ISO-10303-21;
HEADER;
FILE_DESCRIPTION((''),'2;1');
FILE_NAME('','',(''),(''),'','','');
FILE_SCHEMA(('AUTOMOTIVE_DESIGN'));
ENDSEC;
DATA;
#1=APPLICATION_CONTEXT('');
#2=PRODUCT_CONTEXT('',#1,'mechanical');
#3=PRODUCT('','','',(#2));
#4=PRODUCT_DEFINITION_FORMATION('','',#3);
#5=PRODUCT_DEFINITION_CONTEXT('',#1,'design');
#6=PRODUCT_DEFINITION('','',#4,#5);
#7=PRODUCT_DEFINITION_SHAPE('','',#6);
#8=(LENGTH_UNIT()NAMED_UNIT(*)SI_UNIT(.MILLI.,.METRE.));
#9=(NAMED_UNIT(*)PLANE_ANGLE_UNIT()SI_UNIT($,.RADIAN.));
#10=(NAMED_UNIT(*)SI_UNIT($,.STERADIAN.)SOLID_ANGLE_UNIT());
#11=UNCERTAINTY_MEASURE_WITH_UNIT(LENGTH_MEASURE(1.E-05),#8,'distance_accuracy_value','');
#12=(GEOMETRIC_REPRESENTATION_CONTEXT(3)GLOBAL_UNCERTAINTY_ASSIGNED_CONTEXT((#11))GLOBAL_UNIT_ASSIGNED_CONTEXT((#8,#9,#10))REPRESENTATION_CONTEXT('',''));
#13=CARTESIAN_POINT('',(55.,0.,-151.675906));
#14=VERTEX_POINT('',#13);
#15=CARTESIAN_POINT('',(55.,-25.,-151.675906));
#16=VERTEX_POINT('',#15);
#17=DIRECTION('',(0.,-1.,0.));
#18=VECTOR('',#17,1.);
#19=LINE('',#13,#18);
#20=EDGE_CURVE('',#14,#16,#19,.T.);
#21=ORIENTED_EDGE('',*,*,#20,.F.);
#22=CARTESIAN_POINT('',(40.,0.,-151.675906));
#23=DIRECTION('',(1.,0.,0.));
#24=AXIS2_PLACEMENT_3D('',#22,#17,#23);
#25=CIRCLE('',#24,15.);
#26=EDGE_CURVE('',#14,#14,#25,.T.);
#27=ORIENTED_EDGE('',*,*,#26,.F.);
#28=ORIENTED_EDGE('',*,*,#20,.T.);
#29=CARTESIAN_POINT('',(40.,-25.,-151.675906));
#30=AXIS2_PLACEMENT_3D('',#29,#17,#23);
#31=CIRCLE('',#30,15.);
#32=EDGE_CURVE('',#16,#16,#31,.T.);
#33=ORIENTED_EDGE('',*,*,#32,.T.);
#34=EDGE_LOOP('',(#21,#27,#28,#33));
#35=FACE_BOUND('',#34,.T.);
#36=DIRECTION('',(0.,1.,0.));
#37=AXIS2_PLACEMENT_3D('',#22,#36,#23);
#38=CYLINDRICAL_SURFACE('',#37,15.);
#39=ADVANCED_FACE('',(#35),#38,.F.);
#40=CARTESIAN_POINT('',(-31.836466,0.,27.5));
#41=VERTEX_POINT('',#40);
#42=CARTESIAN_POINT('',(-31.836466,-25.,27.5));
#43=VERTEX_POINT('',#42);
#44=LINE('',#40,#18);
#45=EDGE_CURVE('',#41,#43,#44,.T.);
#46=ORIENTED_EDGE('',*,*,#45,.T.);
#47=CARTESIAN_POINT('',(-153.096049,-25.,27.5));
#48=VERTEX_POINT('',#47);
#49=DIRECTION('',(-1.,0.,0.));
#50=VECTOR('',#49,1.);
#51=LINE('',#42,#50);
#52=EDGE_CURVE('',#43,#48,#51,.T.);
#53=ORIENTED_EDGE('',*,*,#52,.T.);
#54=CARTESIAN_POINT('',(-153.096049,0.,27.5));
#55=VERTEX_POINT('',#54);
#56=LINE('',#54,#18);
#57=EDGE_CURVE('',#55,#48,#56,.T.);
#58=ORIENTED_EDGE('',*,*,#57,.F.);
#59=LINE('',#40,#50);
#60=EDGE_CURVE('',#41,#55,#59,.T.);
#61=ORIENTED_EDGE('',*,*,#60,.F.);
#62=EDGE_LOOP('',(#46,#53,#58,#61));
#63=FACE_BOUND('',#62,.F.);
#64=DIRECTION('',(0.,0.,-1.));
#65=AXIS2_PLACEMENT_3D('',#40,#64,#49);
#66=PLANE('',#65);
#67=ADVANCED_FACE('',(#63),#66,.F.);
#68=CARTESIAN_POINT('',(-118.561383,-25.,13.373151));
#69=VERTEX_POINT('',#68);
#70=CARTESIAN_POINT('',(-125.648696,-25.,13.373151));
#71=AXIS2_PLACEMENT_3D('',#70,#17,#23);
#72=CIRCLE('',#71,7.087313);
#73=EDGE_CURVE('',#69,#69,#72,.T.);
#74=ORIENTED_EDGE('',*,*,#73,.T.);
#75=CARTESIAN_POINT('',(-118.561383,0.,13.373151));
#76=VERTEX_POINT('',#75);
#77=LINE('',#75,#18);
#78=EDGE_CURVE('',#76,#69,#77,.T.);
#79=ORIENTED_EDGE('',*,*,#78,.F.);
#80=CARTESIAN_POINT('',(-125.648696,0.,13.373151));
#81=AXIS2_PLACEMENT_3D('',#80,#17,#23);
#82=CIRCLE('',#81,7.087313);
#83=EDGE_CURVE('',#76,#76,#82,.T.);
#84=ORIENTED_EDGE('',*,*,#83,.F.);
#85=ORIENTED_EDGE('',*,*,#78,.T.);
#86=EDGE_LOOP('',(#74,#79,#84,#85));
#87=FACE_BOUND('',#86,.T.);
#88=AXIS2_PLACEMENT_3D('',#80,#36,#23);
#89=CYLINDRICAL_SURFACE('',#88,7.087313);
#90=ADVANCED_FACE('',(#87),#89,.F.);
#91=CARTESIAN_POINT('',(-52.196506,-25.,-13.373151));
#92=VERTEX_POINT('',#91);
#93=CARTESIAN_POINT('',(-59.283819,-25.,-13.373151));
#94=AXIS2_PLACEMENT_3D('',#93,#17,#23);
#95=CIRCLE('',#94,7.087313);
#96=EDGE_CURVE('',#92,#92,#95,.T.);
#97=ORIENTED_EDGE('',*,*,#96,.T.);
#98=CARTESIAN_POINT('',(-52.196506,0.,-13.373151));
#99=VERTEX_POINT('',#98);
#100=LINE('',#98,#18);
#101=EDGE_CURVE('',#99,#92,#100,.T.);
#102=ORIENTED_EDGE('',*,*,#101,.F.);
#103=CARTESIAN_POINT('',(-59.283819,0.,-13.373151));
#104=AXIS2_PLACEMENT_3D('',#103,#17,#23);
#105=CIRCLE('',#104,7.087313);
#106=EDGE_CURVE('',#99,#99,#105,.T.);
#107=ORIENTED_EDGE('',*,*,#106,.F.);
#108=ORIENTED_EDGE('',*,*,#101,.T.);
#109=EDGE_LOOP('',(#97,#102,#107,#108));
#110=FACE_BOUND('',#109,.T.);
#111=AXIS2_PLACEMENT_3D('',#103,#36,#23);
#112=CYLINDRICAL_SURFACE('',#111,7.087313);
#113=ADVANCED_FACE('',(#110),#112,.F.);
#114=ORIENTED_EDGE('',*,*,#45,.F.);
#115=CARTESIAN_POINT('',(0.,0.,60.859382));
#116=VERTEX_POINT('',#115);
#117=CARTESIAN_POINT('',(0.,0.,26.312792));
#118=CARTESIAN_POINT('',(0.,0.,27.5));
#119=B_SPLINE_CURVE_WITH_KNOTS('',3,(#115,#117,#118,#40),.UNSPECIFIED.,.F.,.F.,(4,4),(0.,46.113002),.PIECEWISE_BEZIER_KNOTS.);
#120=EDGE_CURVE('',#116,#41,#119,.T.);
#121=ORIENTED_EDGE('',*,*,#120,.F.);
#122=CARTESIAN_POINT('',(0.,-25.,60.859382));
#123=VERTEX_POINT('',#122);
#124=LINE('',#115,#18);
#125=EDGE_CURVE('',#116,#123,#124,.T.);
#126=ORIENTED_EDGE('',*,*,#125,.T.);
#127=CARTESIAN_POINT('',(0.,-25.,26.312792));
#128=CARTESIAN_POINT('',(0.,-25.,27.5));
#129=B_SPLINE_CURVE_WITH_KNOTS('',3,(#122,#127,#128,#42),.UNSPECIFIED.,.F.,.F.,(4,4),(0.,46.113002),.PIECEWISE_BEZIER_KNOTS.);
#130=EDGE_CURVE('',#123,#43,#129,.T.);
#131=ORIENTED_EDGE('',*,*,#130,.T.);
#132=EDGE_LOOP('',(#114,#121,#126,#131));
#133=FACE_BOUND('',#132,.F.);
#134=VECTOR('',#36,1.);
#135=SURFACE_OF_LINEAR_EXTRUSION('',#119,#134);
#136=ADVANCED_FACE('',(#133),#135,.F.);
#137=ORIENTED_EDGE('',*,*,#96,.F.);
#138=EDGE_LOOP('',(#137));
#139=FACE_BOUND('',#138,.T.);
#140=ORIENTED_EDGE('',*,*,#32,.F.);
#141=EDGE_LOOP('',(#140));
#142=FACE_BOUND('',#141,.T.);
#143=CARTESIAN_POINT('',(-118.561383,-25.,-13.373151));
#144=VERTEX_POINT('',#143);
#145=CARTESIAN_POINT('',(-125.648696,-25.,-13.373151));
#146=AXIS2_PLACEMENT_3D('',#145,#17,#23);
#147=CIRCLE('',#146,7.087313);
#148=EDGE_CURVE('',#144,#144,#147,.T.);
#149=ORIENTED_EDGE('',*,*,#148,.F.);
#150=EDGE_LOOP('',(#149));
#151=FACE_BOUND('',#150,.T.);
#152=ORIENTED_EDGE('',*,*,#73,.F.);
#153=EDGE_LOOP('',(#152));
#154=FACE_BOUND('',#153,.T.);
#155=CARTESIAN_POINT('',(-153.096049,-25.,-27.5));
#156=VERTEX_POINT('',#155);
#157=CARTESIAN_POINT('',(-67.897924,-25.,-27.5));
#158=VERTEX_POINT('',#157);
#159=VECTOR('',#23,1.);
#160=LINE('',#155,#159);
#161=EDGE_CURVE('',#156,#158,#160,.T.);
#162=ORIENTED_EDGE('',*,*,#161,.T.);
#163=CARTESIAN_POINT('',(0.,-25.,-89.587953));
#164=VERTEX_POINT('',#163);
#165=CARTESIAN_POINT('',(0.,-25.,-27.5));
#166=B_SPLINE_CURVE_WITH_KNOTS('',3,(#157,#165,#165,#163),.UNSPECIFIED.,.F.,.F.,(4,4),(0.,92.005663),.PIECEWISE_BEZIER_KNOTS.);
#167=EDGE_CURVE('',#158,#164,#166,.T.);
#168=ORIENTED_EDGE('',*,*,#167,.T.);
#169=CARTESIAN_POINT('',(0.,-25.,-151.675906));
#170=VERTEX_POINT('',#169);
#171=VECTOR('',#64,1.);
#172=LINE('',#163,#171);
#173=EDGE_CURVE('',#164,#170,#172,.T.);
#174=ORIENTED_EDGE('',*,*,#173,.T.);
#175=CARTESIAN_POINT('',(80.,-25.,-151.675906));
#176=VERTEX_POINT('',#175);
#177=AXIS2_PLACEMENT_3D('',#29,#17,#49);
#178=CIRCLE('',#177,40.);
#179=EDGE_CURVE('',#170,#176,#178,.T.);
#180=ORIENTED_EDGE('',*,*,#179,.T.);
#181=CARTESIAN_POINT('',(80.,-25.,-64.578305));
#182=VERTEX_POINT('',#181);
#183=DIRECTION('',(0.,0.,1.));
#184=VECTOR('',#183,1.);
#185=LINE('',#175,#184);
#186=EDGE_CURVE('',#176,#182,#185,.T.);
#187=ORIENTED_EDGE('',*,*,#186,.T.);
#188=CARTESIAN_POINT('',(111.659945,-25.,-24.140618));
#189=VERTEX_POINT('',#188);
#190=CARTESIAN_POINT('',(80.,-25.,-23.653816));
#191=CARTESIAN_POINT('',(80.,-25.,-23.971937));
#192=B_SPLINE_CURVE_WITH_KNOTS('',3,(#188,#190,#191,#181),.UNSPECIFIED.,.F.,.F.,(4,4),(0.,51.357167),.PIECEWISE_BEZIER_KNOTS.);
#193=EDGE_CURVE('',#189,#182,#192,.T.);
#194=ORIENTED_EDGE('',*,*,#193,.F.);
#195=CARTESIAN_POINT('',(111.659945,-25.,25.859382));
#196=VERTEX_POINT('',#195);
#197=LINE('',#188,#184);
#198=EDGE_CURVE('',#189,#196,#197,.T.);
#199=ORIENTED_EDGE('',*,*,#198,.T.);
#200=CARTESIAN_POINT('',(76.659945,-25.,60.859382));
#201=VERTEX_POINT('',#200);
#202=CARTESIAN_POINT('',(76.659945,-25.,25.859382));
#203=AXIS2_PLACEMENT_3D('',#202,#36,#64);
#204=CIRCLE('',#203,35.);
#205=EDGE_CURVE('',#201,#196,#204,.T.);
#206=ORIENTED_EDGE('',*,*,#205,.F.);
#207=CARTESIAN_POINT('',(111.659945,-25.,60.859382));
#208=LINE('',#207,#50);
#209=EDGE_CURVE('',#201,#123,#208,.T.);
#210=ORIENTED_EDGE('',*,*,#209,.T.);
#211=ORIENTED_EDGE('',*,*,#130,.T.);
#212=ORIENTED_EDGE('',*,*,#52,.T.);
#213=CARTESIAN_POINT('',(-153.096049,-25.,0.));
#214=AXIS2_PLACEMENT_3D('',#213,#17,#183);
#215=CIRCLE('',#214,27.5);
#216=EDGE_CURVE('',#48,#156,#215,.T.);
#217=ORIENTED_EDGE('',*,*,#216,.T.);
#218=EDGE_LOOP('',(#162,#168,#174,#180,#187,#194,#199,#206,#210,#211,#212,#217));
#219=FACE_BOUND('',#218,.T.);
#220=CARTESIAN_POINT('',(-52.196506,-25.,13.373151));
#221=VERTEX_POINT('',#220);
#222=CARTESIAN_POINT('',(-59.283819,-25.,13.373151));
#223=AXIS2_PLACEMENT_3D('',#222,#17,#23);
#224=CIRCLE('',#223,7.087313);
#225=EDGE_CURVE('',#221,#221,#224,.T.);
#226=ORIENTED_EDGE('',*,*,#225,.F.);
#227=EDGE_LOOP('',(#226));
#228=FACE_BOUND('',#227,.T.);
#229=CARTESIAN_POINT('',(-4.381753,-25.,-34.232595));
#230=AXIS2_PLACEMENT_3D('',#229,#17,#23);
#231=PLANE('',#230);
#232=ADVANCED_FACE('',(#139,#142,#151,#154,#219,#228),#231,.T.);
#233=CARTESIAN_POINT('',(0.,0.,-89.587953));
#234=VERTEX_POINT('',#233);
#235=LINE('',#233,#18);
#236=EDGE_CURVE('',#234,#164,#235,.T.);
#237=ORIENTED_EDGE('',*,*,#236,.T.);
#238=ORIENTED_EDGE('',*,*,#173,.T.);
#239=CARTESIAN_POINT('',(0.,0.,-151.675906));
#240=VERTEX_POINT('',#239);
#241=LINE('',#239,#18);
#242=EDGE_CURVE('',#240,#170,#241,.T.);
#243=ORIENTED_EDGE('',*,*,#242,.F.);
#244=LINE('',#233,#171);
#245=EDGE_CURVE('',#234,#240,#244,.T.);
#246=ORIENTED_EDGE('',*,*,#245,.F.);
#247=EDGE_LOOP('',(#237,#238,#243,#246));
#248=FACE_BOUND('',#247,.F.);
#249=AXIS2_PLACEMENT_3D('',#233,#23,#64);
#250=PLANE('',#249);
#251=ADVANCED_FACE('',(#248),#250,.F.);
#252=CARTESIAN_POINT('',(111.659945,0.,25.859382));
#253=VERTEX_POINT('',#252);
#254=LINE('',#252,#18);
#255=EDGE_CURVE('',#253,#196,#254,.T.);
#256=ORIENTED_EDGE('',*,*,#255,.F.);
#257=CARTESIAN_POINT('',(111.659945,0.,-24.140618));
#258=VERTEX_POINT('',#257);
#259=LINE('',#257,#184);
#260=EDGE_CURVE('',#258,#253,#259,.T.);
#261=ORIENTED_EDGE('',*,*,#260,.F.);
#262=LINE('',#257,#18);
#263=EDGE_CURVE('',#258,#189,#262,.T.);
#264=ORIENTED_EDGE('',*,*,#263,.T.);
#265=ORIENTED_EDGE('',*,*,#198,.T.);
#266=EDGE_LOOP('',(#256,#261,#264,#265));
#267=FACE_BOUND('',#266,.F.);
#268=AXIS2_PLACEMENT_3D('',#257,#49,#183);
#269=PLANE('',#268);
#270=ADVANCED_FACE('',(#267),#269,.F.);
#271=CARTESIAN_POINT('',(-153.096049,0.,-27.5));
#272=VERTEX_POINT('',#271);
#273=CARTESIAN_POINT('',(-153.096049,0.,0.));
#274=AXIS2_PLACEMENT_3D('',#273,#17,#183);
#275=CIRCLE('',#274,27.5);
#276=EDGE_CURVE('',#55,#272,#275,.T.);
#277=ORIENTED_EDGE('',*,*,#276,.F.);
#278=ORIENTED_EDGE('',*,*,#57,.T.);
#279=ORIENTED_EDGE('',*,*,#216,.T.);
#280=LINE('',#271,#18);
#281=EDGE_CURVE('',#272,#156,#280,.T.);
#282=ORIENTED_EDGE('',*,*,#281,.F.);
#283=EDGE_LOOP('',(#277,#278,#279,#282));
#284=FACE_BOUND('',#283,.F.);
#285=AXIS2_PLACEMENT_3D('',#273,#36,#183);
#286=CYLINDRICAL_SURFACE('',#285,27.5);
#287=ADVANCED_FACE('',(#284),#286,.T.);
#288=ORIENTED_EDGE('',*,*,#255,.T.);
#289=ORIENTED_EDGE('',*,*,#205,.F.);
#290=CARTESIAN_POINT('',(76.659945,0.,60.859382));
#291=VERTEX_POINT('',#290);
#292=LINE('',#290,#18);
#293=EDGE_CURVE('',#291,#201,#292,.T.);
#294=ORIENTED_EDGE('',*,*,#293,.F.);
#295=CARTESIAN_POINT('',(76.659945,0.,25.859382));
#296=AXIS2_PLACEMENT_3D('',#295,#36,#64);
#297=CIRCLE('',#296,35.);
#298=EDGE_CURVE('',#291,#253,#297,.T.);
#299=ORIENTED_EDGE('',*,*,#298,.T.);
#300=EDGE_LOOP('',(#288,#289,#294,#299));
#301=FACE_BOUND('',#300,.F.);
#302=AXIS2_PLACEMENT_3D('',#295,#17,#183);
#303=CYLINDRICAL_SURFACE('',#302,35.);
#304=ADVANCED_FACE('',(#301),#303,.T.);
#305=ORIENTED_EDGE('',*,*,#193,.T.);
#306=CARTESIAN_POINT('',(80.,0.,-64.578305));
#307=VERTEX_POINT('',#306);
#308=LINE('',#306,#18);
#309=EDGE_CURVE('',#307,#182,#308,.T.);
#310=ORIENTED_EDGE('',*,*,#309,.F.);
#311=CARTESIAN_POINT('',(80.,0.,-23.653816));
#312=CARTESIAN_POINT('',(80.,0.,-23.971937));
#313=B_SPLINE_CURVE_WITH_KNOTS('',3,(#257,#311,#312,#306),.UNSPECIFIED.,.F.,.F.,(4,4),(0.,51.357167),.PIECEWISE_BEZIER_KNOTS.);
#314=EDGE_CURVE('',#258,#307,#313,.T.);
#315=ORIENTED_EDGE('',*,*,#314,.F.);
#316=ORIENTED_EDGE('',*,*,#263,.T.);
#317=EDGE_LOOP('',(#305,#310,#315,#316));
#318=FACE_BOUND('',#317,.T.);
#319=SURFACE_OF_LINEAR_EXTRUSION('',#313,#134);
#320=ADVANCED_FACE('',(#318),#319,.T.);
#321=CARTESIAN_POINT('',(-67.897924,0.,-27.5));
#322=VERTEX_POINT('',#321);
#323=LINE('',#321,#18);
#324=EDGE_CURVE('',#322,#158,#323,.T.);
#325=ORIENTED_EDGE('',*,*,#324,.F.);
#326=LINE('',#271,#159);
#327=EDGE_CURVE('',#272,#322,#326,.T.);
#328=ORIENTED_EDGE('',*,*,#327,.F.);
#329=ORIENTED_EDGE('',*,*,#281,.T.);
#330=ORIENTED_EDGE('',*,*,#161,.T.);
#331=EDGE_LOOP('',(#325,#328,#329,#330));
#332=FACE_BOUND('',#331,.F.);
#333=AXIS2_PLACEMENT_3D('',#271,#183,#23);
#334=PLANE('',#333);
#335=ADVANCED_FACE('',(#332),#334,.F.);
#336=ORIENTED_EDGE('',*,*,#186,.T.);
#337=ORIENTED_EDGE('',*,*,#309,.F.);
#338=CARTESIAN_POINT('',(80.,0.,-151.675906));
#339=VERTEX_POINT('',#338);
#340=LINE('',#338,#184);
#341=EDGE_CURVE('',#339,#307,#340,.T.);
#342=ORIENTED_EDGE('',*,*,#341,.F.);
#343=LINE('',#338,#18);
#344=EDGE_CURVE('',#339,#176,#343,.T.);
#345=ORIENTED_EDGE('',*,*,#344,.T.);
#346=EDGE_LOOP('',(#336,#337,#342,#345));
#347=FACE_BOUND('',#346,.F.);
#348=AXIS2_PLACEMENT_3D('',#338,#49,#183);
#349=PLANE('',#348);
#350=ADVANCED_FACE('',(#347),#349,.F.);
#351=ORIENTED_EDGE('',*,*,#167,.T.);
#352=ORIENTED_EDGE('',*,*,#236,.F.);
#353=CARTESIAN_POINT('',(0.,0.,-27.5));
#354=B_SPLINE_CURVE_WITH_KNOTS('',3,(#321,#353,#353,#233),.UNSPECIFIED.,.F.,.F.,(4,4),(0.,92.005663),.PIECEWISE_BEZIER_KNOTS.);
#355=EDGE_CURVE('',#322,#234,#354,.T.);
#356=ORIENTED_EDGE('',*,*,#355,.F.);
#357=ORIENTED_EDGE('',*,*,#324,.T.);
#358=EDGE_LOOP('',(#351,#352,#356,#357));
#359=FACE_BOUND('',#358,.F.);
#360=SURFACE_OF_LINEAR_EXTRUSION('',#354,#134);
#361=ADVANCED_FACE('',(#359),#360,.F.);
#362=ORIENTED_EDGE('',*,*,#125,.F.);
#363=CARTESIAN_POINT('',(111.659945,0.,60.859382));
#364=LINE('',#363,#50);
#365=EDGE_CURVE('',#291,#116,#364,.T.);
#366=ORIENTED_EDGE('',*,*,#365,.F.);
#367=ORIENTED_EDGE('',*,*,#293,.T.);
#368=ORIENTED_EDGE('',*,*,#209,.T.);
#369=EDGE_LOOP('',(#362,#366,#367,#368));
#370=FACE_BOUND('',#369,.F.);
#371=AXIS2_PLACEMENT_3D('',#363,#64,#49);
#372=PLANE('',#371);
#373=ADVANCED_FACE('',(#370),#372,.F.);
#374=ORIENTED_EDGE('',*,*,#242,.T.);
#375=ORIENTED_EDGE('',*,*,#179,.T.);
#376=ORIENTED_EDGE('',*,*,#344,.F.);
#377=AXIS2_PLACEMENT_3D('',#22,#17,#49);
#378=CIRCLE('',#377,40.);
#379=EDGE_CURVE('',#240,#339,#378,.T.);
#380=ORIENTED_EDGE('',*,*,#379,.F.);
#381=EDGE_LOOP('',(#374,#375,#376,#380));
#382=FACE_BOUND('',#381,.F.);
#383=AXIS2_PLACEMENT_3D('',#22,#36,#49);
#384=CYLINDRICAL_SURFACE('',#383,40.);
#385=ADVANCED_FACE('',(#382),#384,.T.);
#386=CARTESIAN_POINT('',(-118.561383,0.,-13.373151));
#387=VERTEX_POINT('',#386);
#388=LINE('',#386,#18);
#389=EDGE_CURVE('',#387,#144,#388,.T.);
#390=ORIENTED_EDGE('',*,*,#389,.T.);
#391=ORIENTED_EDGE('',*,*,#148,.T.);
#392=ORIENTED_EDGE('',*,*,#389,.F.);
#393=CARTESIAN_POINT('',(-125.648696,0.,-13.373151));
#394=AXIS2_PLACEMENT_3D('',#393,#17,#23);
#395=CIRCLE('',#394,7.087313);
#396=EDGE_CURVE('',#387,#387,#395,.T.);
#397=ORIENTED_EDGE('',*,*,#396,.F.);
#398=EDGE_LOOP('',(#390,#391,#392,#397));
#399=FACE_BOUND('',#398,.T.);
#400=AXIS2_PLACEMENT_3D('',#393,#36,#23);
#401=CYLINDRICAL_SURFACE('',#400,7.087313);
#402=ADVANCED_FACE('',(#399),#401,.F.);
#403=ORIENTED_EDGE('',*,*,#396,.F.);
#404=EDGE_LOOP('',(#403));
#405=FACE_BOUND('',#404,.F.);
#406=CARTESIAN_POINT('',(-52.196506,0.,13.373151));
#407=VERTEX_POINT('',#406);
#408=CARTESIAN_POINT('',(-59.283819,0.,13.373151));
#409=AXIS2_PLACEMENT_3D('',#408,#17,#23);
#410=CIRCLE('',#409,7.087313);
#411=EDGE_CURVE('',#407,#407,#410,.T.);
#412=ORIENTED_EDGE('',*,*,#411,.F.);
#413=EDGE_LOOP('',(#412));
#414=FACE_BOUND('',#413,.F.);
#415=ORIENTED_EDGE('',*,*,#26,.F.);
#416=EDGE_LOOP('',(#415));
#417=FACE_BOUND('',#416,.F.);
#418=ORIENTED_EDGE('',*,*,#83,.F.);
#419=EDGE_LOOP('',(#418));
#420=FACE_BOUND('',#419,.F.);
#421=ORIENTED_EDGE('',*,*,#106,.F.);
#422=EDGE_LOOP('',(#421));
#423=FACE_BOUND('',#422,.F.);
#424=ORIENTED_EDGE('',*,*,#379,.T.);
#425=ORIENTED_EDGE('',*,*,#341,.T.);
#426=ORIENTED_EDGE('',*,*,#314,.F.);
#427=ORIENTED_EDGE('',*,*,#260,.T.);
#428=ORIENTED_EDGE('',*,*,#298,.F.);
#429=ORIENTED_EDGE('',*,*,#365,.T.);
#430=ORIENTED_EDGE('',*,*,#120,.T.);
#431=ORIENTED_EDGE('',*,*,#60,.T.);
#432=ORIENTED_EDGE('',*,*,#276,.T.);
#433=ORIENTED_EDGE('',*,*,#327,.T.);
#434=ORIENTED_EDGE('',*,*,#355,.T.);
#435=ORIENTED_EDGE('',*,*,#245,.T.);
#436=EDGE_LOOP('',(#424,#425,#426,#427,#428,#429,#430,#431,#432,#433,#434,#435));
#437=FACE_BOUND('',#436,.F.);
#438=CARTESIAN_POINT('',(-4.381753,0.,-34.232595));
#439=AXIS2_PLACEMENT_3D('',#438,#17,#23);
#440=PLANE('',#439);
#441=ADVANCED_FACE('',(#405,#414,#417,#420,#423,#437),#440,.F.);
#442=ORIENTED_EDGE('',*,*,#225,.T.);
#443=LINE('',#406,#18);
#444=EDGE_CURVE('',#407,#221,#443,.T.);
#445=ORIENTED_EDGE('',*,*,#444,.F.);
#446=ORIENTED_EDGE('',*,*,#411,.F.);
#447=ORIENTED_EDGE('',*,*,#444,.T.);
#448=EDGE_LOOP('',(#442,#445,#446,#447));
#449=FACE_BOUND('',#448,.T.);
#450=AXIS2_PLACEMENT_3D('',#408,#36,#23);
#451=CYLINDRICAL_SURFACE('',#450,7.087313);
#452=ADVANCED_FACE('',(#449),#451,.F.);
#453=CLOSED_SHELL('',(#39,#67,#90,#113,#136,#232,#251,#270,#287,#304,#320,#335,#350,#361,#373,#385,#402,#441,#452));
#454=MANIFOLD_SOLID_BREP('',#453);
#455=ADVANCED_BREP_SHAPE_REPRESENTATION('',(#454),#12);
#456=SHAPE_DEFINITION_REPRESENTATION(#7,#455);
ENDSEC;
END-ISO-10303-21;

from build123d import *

# Parameters (mm, degrees)
F0_R     = 15
F0_R_2   = 7.087313
F1_DEPTH = 25
F2_R     = 35


with BuildPart() as f1:
    # F0 (on Front) → F1 (new body)
    with BuildSketch(Plane.XZ):
        with BuildLine():
            add(Edge.make_bspline(
                [(0, 60.859382), (0, 26.312792), (0, 27.5), (-31.836466, 27.5)],
                knots=[0, 0, 0, 0, 46.113002, 46.113002, 46.113002, 46.113002], degree=3))
            Line((-31.836466, 27.5), (-153.096049, 27.5))
            ThreePointArc((-153.096049, 27.5), (-180.596049, 0), (-153.096049, -27.5))
            Line((-153.096049, -27.5), (-67.897924, -27.5))
            add(Edge.make_bspline(
                [(-67.897924, -27.5), (0, -27.5), (0, -27.5), (0, -89.587953)],
                knots=[0, 0, 0, 0, 92.005663, 92.005663, 92.005663, 92.005663], degree=3))
            Line((0, -89.587953), (0, -151.675906))
            ThreePointArc((0, -151.675906), (40, -191.675906), (80, -151.675906))
            Line((80, -151.675906), (80, -64.578305))
            add(Edge.make_bspline(
                [(111.659945, -24.140618), (80, -23.653816), (80, -23.971937), (80, -64.578305)],
                knots=[0, 0, 0, 0, 51.357167, 51.357167, 51.357167, 51.357167], degree=3))
            Line((111.659945, -24.140618), (111.659945, 60.859382))
            Line((111.659945, 60.859382), (0, 60.859382))
        make_face()
        with Locations((40, -151.675906)):
            Circle(F0_R, mode=Mode.SUBTRACT)
        with Locations((-125.648696, -13.373151)):
            Circle(F0_R_2, mode=Mode.SUBTRACT)
        with Locations((-59.283819, -13.373151)):
            Circle(F0_R_2, mode=Mode.SUBTRACT)
        with Locations((-125.648696, 13.373151)):
            Circle(F0_R_2, mode=Mode.SUBTRACT)
        with Locations((-59.283819, 13.373151)):
            Circle(F0_R_2, mode=Mode.SUBTRACT)
    extrude(amount=F1_DEPTH)

    # F2
    f2_edges = [f1.edges().sort_by_distance(p)[0] for p in [
        (111.659945, -12.5, 60.859382),
    ]]
    fillet(f2_edges, radius=F2_R)


solid = f1.part
